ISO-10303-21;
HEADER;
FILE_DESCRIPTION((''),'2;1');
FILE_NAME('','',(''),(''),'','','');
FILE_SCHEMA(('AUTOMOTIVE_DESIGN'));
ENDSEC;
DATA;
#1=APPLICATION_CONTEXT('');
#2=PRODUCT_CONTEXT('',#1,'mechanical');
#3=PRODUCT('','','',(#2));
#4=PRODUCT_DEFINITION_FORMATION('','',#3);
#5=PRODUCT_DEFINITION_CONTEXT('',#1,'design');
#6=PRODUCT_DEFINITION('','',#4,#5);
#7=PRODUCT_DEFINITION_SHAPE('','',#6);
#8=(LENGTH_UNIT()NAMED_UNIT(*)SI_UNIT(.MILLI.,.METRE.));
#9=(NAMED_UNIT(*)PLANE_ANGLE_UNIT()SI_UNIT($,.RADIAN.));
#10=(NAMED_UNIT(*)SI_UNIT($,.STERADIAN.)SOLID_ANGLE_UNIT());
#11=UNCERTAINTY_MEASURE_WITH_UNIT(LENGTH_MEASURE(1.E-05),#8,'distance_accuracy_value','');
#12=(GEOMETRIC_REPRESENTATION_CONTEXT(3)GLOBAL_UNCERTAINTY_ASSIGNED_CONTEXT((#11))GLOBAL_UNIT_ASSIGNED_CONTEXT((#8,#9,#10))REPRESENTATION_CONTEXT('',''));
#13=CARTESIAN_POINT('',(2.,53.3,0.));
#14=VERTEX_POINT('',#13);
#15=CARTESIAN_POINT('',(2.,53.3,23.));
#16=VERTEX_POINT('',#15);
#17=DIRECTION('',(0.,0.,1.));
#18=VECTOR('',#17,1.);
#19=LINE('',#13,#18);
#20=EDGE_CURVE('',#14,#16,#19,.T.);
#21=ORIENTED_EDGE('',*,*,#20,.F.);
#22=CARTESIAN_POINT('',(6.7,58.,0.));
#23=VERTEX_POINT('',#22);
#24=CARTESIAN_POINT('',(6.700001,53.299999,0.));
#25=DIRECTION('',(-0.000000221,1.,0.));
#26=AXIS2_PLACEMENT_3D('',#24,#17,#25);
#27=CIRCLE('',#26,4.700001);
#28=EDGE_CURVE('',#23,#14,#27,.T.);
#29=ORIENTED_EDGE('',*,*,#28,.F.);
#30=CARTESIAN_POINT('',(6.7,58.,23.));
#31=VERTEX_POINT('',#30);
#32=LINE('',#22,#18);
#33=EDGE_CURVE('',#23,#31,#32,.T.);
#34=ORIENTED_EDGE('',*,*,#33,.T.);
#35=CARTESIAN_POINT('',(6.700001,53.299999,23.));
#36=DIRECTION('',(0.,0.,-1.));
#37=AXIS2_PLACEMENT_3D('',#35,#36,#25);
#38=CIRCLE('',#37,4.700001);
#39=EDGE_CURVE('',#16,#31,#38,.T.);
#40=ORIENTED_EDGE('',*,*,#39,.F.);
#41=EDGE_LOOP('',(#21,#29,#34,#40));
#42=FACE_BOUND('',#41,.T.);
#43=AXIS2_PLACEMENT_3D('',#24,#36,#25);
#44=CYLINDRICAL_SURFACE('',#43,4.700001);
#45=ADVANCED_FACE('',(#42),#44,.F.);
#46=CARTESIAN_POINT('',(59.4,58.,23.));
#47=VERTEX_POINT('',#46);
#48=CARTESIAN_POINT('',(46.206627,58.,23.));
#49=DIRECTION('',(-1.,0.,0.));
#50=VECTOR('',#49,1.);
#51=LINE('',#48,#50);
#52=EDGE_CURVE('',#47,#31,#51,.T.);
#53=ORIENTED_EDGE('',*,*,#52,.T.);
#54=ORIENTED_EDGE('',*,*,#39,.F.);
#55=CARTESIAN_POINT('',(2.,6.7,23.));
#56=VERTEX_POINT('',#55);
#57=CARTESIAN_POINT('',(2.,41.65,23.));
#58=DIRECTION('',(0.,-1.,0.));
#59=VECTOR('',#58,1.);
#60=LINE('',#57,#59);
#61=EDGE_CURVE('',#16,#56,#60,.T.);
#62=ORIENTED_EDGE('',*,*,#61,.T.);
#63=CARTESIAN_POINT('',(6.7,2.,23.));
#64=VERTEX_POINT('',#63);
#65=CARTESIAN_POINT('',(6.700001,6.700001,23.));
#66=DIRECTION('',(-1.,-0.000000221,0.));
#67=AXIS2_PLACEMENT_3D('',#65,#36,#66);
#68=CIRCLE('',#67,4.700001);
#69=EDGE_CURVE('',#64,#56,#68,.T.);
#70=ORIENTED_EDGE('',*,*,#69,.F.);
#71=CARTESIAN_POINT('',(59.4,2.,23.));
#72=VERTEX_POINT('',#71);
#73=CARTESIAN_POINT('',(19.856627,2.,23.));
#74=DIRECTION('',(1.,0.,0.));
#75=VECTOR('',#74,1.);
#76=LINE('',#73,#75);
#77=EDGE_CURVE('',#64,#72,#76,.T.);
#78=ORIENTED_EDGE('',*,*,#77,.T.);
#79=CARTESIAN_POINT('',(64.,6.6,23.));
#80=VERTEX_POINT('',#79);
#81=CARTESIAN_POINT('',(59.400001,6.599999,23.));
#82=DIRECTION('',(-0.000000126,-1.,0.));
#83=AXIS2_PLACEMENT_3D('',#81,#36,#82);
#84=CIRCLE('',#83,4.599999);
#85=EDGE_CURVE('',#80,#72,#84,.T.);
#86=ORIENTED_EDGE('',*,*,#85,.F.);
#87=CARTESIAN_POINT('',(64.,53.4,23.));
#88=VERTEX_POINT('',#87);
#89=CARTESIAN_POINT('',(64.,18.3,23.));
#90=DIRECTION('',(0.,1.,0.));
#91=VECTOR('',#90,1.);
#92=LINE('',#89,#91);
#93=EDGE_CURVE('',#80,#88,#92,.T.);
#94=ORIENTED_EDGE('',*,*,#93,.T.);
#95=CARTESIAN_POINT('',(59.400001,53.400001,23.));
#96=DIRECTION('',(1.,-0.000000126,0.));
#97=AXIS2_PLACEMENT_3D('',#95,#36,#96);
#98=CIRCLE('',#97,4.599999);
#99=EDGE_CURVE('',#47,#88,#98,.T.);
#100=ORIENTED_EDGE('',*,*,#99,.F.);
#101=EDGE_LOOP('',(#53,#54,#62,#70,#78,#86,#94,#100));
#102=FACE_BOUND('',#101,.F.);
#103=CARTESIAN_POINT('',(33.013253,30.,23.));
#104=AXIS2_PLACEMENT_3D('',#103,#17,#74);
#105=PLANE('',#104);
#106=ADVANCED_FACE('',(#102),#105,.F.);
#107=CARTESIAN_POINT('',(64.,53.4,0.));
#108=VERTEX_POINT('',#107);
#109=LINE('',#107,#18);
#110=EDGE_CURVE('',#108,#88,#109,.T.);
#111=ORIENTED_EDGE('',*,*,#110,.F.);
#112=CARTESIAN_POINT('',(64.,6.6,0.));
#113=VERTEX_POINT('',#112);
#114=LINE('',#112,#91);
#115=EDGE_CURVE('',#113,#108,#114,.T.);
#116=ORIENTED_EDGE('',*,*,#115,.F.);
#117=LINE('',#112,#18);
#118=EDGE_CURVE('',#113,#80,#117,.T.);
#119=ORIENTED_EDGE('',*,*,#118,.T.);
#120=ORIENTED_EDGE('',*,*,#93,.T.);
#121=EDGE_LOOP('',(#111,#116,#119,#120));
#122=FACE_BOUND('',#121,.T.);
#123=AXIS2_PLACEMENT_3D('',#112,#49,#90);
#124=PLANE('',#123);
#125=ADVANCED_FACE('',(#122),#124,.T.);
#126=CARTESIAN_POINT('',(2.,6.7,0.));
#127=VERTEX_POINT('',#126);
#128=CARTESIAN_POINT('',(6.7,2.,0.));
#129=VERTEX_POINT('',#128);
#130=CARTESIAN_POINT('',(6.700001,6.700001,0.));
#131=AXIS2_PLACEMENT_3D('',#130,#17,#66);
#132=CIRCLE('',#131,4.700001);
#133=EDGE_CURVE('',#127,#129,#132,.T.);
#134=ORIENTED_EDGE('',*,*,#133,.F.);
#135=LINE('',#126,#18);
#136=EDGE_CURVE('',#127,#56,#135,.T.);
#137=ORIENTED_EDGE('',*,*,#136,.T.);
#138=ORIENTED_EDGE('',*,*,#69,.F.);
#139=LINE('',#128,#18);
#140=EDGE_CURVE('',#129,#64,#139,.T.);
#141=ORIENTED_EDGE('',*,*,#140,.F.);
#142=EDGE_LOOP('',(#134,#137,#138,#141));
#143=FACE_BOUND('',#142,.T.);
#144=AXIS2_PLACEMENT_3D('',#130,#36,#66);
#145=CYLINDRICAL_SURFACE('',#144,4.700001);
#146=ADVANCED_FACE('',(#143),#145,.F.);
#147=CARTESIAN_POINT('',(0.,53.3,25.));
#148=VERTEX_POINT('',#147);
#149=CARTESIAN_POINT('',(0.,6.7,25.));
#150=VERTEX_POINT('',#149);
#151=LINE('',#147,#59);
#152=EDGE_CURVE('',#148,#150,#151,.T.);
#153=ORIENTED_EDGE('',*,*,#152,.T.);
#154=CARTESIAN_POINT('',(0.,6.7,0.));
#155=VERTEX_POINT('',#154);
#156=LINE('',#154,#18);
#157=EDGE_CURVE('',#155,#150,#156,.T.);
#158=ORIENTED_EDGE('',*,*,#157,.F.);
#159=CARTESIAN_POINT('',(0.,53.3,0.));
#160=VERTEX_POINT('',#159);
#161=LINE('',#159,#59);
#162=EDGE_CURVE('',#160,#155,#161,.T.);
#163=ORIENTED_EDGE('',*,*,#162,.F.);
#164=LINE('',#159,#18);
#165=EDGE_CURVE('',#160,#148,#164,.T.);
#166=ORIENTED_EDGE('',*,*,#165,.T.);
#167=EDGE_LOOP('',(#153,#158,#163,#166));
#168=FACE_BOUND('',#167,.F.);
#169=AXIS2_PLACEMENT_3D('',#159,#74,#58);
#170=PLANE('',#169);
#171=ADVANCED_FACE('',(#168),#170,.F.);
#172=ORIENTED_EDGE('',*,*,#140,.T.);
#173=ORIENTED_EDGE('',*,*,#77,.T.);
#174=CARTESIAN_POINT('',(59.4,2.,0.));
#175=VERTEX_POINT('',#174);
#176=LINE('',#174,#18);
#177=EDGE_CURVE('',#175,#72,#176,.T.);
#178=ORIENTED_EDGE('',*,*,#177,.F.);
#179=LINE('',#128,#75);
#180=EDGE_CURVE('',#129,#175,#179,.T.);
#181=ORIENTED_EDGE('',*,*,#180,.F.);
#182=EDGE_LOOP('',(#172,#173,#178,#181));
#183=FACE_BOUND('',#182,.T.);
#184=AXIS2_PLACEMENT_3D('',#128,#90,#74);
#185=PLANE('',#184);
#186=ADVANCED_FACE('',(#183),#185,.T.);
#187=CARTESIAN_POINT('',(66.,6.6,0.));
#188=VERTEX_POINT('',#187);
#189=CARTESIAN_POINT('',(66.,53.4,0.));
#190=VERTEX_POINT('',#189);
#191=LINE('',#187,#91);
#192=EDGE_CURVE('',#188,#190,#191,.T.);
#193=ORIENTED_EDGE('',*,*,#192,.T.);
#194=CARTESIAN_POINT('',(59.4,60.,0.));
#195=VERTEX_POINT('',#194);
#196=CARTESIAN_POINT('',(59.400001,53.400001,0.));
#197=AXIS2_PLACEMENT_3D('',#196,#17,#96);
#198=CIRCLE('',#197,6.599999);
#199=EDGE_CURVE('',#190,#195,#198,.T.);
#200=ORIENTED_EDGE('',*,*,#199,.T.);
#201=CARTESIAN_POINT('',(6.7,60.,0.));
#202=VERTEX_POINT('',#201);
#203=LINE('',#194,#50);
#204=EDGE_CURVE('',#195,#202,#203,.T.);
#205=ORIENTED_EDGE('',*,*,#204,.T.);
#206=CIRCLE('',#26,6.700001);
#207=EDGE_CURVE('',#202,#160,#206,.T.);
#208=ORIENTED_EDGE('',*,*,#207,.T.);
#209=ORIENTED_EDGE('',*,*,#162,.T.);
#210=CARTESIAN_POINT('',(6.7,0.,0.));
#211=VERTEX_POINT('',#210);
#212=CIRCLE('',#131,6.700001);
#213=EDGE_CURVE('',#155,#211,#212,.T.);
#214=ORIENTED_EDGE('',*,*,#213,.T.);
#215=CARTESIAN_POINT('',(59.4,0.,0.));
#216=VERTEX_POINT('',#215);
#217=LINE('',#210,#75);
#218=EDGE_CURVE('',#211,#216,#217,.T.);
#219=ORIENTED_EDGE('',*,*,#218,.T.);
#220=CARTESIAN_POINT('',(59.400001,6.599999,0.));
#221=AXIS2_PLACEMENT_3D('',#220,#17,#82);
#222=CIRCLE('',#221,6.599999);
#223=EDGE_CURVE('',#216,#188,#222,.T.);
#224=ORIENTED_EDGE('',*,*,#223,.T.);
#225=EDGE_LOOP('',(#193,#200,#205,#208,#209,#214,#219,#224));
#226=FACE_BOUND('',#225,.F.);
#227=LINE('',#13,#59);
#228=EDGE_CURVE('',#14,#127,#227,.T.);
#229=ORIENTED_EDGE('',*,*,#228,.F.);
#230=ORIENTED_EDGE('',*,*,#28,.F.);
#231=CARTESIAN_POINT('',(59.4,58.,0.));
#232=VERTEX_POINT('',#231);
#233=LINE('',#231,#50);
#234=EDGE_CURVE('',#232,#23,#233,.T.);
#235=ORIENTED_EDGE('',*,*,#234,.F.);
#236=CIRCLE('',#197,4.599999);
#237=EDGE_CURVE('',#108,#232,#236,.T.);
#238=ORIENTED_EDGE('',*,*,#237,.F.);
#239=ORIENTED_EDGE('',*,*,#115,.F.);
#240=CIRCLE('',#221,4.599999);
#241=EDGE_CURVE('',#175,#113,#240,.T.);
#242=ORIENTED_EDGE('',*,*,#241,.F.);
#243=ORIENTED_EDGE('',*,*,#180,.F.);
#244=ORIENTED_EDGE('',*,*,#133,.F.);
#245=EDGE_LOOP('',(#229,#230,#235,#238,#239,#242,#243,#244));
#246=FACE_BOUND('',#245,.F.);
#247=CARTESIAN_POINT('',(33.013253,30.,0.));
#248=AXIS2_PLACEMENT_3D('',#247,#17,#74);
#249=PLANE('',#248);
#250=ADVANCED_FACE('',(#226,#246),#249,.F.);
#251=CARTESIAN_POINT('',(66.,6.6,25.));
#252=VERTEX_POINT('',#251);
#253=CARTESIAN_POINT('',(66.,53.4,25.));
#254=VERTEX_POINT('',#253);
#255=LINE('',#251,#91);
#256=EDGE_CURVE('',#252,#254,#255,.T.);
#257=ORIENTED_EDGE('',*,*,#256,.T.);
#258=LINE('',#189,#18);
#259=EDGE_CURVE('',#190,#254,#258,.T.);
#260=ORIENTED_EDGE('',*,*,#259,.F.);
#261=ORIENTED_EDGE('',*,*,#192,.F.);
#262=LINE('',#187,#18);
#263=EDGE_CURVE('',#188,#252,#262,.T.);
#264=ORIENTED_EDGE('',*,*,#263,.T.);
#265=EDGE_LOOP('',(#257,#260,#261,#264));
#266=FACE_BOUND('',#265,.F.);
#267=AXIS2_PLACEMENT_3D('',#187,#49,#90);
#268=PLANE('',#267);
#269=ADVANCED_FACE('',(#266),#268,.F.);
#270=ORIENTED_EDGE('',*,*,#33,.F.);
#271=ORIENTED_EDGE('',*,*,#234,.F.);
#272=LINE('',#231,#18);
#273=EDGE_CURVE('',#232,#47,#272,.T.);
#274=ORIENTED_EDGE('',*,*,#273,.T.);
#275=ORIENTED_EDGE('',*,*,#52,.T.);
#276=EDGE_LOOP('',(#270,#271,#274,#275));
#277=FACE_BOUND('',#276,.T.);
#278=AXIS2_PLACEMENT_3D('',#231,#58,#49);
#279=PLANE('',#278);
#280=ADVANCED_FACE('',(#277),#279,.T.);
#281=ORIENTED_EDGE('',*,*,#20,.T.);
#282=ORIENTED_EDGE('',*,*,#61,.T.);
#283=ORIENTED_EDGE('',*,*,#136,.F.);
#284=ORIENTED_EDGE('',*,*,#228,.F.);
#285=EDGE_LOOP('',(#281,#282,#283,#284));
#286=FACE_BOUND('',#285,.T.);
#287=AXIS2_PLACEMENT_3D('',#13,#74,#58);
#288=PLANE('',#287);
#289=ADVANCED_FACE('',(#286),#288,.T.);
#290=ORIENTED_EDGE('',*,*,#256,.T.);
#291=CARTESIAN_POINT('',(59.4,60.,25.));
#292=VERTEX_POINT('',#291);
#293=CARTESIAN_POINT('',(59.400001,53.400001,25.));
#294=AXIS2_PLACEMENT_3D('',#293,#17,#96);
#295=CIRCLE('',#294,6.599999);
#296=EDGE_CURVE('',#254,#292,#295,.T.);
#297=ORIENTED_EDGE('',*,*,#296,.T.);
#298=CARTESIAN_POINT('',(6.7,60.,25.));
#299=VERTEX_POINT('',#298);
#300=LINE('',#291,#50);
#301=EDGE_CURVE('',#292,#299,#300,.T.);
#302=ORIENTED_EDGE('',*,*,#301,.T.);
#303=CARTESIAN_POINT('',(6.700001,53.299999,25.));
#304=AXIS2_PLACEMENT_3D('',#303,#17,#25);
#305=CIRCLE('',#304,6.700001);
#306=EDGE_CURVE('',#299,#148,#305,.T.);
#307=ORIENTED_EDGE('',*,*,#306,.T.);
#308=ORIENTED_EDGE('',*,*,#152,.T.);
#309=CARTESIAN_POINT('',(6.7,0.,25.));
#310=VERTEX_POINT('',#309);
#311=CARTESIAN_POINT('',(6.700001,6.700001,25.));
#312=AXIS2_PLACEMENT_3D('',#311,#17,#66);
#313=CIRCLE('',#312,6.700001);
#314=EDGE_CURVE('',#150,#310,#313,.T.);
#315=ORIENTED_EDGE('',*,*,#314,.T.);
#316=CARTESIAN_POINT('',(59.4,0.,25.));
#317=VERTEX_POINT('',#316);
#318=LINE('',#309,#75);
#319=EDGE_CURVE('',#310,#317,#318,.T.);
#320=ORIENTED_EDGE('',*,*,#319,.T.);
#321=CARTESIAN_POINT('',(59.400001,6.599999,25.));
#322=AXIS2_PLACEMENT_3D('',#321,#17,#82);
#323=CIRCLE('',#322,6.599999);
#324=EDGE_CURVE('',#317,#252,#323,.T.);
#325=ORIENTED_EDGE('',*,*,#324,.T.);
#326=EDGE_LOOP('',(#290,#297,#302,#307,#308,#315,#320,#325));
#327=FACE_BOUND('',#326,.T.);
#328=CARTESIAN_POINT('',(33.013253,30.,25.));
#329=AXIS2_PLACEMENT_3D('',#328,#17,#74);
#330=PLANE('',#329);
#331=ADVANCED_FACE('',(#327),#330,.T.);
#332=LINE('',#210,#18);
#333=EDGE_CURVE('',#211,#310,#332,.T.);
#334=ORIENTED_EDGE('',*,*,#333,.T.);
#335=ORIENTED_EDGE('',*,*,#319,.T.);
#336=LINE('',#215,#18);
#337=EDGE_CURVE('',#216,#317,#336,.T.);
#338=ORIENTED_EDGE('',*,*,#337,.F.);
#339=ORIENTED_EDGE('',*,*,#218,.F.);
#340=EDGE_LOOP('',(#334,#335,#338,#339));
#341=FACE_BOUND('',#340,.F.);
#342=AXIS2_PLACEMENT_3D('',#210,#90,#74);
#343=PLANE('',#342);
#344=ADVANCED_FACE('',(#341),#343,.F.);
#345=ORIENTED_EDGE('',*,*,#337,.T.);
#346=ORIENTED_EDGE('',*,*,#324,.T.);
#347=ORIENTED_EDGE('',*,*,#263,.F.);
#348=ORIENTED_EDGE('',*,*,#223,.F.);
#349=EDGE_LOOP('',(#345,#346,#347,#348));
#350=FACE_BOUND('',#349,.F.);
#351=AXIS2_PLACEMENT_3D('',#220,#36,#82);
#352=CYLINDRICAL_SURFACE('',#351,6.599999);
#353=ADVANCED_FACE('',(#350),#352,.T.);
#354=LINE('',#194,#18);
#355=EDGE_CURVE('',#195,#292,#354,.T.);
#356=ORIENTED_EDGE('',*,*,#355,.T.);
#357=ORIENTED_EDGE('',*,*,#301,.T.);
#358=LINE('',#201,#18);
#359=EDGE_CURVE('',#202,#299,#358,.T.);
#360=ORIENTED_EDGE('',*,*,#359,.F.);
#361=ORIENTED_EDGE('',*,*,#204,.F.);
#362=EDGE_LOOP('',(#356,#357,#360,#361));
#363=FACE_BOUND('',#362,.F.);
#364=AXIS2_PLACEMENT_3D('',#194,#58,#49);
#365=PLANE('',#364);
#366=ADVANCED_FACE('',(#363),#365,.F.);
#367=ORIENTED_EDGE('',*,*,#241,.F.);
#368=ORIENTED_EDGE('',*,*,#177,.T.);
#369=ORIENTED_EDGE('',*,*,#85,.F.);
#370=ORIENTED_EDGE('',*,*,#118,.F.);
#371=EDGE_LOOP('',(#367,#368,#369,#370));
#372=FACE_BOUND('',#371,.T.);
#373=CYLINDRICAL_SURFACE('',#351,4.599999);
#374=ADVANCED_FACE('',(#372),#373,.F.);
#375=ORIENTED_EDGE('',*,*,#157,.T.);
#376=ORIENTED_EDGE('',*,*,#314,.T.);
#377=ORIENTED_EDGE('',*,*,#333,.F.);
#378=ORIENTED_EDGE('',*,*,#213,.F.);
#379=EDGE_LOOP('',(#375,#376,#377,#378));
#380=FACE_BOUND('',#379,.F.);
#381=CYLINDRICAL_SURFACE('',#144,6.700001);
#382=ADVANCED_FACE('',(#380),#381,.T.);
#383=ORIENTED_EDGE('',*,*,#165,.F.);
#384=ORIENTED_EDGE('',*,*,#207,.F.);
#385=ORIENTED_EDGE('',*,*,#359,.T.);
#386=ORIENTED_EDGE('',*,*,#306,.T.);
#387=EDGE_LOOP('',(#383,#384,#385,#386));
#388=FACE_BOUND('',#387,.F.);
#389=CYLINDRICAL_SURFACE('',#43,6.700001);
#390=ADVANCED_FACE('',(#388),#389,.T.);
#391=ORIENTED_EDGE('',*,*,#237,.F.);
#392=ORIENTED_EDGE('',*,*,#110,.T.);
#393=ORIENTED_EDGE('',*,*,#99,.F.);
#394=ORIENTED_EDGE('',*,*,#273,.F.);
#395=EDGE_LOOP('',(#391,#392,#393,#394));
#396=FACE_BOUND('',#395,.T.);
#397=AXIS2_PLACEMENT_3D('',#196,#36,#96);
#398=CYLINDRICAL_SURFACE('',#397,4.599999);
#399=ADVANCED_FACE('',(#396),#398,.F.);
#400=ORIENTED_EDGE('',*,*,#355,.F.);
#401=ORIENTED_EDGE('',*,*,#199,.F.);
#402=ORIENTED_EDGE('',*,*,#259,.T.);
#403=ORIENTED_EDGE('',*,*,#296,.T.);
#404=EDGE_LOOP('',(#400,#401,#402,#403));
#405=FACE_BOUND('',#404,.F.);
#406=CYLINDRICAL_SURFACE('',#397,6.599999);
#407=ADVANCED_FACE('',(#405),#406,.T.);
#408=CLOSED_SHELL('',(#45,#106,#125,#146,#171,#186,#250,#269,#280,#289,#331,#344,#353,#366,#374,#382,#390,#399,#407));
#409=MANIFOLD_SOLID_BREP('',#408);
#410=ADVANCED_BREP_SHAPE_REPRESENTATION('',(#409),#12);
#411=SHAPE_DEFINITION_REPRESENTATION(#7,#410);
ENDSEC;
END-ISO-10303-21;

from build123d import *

# Parameters (mm, degrees)
EXTRUDE_DEPTH = 25
THICKNESS_T   = -2


with BuildPart() as part:
    # Sketch → Extrude (new body)
    with BuildSketch(Plane.XY):
        with BuildLine():
            Line((6.7, 0), (59.4, 0))
            ThreePointArc((59.4, 0), (64.066905, 1.933095), (66, 6.6))
            Line((66, 6.6), (66, 53.4))
            ThreePointArc((66, 53.4), (64.066905, 58.066905), (59.4, 60))
            Line((59.4, 60), (6.7, 60))
            ThreePointArc((6.7, 60), (1.962385, 58.037615), (0, 53.3))
            Line((0, 53.3), (0, 6.7))
            ThreePointArc((0, 6.7), (1.962385, 1.962385), (6.7, 0))
        make_face()
    extrude(amount=EXTRUDE_DEPTH)

    # Thickness
    thickness_openings = [part.faces().sort_by_distance(p)[0] for p in [
        (33.004479, 30, 0),
    ]]
    offset(amount=THICKNESS_T, openings=thickness_openings)


solid = part.part
